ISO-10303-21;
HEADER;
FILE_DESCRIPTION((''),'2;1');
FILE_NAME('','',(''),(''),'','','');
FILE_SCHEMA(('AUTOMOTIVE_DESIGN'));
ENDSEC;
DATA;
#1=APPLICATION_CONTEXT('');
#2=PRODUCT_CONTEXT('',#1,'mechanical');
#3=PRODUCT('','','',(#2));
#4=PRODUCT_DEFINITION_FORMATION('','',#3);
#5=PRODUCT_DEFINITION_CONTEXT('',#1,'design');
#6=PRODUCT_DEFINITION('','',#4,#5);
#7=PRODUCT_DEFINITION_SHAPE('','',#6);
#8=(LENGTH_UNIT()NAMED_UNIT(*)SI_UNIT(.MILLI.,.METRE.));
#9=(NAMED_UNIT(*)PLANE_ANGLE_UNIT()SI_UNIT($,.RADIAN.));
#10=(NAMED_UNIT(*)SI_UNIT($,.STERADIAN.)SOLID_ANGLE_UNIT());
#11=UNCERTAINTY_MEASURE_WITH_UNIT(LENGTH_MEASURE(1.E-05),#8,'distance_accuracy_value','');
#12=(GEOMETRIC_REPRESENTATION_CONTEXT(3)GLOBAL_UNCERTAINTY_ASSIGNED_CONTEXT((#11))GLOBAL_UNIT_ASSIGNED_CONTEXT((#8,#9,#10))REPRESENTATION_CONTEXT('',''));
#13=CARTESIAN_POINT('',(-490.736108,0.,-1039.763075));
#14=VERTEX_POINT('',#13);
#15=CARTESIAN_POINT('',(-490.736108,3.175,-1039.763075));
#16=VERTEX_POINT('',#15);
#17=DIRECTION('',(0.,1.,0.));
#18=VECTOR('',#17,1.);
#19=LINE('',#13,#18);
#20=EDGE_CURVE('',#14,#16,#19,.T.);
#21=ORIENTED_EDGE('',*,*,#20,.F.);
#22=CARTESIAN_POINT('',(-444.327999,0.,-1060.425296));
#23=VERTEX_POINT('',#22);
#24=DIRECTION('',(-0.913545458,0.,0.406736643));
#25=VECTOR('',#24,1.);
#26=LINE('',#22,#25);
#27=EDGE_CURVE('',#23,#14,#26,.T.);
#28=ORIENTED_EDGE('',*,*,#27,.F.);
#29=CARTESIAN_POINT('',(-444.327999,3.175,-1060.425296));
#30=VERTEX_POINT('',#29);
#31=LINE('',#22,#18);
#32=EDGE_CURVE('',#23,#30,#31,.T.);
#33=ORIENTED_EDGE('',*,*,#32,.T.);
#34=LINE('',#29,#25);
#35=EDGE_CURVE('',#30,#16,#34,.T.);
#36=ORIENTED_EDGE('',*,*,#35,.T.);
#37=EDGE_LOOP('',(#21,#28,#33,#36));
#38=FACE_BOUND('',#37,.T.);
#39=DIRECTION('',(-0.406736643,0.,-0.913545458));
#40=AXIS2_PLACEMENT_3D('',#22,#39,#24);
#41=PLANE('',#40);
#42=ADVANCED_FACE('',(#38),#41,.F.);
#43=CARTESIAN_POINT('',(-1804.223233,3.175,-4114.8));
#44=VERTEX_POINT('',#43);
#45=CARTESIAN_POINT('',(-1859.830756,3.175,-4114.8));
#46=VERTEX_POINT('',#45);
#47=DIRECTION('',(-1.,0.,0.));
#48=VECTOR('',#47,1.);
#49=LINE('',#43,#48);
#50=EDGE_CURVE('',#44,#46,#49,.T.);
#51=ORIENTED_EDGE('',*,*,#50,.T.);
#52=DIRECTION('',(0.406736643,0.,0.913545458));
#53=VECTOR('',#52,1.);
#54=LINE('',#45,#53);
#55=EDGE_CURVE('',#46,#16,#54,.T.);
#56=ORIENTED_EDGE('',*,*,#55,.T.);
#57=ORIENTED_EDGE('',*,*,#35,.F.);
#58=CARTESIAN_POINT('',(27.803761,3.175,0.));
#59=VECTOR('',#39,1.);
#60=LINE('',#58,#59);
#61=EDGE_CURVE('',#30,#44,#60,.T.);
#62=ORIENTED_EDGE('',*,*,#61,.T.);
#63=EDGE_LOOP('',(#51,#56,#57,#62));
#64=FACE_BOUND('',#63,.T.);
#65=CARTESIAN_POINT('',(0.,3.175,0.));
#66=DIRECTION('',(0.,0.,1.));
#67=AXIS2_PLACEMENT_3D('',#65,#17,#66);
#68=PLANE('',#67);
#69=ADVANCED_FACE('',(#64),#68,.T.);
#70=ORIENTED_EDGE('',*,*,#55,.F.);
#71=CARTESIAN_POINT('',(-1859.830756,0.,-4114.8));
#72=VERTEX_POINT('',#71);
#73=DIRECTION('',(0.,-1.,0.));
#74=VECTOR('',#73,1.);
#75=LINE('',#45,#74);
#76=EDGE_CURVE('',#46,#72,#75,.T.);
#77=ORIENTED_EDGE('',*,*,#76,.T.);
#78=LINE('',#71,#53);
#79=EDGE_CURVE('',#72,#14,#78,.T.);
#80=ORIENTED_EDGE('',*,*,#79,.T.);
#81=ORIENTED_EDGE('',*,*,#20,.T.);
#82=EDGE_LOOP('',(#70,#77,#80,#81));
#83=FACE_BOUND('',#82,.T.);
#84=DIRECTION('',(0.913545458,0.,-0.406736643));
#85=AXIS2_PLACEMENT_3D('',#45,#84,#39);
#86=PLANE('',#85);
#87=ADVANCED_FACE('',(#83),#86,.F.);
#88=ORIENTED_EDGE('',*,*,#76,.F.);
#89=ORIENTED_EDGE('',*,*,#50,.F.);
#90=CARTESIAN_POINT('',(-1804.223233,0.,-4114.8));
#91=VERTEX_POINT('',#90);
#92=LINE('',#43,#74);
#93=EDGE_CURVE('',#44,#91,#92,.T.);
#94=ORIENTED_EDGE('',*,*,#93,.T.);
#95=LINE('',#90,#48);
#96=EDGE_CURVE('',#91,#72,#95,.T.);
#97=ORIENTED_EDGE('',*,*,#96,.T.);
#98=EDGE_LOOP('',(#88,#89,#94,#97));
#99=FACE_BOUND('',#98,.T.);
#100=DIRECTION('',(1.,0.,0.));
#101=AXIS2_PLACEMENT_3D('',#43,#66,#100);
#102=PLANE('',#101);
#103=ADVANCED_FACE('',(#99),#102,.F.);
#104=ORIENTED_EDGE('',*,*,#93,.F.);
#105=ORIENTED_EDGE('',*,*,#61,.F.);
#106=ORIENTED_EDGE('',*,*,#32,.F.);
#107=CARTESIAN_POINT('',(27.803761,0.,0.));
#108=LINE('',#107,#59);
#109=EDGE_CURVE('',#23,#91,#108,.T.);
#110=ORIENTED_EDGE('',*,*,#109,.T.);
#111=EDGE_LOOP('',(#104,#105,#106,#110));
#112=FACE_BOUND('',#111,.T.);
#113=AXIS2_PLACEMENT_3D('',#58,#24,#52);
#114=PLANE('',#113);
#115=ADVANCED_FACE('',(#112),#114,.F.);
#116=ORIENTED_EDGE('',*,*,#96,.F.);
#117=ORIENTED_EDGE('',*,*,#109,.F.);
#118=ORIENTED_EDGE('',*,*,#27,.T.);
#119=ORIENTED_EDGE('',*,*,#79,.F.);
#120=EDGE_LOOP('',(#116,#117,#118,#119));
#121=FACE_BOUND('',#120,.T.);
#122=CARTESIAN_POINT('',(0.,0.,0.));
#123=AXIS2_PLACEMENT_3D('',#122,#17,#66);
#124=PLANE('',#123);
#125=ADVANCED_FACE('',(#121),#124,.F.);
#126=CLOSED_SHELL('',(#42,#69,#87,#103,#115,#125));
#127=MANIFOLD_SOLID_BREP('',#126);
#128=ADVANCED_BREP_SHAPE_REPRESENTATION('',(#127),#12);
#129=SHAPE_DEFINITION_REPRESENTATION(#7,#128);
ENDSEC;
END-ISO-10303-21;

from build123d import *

# Parameters (mm, degrees)
BOSS_EXTRUDE1_DEPTH = 3.175
CUT_EXTRUDE1_DEPTH  = 4.175


with BuildPart() as part:
    # Sketch1 → Boss-Extrude1 (new body)
    with BuildSketch(Plane(origin=(0, 0, 0), x_dir=(1, 0, 0), z_dir=(0, 1, 0))):
        Polygon((27.803761474, 0), (-1804.223232834, 4114.8), (-1859.830755782, 4114.8), (-27.803761474, 0), align=None)
    extrude(amount=BOSS_EXTRUDE1_DEPTH)

    # Sketch2 → Cut-Extrude1 (cut, through all)
    with BuildSketch(Plane(origin=(0, 3.175, 0), x_dir=(1, 0, 0), z_dir=(0, 1, 0))):
        Polygon((27.803761474, 0), (-444.327999075, 1060.425296322), (-490.736108324, 1039.763074854), (-27.803761474, 0), align=None)
    extrude(amount=-CUT_EXTRUDE1_DEPTH, mode=Mode.SUBTRACT)


solid = part.part
